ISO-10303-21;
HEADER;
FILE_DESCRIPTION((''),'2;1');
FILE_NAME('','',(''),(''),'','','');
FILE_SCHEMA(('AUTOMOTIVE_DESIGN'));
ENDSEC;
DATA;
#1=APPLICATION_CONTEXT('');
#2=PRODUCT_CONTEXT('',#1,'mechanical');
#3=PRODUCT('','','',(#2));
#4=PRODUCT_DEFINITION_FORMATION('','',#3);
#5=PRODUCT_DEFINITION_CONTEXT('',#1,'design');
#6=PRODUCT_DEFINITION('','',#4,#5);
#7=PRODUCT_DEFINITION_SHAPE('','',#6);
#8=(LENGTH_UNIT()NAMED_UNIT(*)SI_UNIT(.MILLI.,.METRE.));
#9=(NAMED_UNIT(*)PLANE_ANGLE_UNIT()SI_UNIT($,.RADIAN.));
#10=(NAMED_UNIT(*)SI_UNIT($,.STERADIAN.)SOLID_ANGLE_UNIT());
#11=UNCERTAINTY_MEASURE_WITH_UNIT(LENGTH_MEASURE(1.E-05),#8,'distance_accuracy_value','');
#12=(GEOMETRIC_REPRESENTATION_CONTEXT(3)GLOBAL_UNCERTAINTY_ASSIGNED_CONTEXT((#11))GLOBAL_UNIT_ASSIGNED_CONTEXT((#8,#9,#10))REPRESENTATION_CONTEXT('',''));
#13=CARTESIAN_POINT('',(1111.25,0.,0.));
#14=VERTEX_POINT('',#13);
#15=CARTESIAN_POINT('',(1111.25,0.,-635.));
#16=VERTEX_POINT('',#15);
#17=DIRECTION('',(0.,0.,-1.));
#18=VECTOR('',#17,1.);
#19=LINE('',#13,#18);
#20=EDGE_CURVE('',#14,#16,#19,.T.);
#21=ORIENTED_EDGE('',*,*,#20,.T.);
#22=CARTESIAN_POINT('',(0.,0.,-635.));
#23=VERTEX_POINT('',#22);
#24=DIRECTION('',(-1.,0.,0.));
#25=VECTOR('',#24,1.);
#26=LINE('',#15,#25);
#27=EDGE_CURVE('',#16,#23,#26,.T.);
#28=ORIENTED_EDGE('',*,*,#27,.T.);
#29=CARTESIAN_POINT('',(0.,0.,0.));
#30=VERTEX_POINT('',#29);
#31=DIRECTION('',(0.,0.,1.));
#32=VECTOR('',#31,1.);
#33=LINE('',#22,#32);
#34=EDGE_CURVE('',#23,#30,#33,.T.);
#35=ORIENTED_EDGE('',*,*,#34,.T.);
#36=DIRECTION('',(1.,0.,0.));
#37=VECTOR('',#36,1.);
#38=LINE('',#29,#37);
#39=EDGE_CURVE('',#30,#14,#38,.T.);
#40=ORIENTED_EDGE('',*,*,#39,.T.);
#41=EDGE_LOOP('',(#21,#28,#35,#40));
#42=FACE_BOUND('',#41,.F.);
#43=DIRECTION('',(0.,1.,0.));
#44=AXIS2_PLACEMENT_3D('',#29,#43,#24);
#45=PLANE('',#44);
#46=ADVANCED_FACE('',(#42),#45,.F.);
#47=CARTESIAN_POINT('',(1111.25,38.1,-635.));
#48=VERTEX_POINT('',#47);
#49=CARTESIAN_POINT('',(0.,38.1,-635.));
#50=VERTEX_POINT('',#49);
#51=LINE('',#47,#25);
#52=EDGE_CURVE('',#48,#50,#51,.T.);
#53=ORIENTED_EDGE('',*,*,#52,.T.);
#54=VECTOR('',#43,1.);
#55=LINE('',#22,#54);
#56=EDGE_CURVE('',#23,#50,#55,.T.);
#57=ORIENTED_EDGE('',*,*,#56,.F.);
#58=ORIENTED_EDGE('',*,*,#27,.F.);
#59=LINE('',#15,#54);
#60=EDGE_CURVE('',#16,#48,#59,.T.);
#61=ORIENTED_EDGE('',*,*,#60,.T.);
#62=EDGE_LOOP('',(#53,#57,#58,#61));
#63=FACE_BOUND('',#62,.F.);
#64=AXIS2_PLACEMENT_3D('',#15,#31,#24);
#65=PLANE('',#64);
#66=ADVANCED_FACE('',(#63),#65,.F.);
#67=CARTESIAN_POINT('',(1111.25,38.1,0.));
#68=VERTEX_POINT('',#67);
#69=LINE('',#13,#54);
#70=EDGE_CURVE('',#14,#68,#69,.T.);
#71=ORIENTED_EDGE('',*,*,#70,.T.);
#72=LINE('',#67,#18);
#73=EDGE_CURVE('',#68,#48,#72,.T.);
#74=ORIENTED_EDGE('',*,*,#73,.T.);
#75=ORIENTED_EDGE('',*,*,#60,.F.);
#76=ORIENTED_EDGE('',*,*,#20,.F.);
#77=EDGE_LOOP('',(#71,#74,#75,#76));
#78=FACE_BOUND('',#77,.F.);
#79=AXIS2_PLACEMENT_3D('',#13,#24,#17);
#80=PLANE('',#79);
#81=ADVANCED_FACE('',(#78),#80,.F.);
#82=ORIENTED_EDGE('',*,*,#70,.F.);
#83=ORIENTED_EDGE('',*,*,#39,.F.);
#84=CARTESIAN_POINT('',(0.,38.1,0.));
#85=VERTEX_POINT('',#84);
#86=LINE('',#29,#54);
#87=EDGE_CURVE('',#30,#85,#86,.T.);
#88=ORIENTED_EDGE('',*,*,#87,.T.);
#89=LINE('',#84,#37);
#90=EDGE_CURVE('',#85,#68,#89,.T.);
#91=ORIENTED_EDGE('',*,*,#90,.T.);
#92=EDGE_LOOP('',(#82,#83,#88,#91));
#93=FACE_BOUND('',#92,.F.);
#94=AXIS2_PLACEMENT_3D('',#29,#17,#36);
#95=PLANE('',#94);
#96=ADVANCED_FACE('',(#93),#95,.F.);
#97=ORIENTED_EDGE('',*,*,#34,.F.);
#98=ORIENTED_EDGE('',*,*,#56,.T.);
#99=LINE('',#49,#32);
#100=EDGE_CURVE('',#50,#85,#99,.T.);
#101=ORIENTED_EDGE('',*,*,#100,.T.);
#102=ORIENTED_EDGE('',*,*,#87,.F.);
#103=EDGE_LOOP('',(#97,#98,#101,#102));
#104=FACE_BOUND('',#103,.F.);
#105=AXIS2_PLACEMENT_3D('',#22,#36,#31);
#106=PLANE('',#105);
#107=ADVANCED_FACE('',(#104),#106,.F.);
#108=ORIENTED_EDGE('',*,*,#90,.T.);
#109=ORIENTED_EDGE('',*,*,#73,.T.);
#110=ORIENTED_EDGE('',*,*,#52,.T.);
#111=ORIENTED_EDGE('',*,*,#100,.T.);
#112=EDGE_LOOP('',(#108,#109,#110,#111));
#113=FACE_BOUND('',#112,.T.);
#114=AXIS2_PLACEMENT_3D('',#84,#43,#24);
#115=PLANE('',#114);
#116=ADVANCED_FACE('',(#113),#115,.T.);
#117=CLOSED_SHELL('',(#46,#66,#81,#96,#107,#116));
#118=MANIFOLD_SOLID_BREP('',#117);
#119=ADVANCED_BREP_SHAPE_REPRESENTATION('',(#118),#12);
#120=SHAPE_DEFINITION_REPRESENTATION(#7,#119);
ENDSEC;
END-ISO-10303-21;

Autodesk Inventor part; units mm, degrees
ref_plane "YZ Plane" through (0, 0, 0) normal (1, 0, 0) x (0, 1, 0)
ref_plane "XZ Plane" through (0, 0, 0) normal (0, 1, 0) x (-1, 0, 0)
ref_plane "XY Plane" through (0, 0, 0) normal (0, 0, 1) x (1, 0, 0)
sketch "Sketch1" plane through (0, 0, 0) normal (0, 1, 0) x (-1, 0, 0)
  line L0 (0, 0) -> (-1111.25, 0)
  line L1 (-1111.25, 0) -> (-1111.25, -635)
  line L2 (-1111.25, -635) -> (0, -635)
  line L3 (0, -635) -> (0, 0)
  dimension "d6" = 635
  dimension "d7" = 1111.25
extrude "Extrusion1" add sketch "Sketch1" along normal blind 38.1
properties part number "Butcher_Block--1.5_x_24_x_42.75_in" material "Wood (Southern Pine)"
